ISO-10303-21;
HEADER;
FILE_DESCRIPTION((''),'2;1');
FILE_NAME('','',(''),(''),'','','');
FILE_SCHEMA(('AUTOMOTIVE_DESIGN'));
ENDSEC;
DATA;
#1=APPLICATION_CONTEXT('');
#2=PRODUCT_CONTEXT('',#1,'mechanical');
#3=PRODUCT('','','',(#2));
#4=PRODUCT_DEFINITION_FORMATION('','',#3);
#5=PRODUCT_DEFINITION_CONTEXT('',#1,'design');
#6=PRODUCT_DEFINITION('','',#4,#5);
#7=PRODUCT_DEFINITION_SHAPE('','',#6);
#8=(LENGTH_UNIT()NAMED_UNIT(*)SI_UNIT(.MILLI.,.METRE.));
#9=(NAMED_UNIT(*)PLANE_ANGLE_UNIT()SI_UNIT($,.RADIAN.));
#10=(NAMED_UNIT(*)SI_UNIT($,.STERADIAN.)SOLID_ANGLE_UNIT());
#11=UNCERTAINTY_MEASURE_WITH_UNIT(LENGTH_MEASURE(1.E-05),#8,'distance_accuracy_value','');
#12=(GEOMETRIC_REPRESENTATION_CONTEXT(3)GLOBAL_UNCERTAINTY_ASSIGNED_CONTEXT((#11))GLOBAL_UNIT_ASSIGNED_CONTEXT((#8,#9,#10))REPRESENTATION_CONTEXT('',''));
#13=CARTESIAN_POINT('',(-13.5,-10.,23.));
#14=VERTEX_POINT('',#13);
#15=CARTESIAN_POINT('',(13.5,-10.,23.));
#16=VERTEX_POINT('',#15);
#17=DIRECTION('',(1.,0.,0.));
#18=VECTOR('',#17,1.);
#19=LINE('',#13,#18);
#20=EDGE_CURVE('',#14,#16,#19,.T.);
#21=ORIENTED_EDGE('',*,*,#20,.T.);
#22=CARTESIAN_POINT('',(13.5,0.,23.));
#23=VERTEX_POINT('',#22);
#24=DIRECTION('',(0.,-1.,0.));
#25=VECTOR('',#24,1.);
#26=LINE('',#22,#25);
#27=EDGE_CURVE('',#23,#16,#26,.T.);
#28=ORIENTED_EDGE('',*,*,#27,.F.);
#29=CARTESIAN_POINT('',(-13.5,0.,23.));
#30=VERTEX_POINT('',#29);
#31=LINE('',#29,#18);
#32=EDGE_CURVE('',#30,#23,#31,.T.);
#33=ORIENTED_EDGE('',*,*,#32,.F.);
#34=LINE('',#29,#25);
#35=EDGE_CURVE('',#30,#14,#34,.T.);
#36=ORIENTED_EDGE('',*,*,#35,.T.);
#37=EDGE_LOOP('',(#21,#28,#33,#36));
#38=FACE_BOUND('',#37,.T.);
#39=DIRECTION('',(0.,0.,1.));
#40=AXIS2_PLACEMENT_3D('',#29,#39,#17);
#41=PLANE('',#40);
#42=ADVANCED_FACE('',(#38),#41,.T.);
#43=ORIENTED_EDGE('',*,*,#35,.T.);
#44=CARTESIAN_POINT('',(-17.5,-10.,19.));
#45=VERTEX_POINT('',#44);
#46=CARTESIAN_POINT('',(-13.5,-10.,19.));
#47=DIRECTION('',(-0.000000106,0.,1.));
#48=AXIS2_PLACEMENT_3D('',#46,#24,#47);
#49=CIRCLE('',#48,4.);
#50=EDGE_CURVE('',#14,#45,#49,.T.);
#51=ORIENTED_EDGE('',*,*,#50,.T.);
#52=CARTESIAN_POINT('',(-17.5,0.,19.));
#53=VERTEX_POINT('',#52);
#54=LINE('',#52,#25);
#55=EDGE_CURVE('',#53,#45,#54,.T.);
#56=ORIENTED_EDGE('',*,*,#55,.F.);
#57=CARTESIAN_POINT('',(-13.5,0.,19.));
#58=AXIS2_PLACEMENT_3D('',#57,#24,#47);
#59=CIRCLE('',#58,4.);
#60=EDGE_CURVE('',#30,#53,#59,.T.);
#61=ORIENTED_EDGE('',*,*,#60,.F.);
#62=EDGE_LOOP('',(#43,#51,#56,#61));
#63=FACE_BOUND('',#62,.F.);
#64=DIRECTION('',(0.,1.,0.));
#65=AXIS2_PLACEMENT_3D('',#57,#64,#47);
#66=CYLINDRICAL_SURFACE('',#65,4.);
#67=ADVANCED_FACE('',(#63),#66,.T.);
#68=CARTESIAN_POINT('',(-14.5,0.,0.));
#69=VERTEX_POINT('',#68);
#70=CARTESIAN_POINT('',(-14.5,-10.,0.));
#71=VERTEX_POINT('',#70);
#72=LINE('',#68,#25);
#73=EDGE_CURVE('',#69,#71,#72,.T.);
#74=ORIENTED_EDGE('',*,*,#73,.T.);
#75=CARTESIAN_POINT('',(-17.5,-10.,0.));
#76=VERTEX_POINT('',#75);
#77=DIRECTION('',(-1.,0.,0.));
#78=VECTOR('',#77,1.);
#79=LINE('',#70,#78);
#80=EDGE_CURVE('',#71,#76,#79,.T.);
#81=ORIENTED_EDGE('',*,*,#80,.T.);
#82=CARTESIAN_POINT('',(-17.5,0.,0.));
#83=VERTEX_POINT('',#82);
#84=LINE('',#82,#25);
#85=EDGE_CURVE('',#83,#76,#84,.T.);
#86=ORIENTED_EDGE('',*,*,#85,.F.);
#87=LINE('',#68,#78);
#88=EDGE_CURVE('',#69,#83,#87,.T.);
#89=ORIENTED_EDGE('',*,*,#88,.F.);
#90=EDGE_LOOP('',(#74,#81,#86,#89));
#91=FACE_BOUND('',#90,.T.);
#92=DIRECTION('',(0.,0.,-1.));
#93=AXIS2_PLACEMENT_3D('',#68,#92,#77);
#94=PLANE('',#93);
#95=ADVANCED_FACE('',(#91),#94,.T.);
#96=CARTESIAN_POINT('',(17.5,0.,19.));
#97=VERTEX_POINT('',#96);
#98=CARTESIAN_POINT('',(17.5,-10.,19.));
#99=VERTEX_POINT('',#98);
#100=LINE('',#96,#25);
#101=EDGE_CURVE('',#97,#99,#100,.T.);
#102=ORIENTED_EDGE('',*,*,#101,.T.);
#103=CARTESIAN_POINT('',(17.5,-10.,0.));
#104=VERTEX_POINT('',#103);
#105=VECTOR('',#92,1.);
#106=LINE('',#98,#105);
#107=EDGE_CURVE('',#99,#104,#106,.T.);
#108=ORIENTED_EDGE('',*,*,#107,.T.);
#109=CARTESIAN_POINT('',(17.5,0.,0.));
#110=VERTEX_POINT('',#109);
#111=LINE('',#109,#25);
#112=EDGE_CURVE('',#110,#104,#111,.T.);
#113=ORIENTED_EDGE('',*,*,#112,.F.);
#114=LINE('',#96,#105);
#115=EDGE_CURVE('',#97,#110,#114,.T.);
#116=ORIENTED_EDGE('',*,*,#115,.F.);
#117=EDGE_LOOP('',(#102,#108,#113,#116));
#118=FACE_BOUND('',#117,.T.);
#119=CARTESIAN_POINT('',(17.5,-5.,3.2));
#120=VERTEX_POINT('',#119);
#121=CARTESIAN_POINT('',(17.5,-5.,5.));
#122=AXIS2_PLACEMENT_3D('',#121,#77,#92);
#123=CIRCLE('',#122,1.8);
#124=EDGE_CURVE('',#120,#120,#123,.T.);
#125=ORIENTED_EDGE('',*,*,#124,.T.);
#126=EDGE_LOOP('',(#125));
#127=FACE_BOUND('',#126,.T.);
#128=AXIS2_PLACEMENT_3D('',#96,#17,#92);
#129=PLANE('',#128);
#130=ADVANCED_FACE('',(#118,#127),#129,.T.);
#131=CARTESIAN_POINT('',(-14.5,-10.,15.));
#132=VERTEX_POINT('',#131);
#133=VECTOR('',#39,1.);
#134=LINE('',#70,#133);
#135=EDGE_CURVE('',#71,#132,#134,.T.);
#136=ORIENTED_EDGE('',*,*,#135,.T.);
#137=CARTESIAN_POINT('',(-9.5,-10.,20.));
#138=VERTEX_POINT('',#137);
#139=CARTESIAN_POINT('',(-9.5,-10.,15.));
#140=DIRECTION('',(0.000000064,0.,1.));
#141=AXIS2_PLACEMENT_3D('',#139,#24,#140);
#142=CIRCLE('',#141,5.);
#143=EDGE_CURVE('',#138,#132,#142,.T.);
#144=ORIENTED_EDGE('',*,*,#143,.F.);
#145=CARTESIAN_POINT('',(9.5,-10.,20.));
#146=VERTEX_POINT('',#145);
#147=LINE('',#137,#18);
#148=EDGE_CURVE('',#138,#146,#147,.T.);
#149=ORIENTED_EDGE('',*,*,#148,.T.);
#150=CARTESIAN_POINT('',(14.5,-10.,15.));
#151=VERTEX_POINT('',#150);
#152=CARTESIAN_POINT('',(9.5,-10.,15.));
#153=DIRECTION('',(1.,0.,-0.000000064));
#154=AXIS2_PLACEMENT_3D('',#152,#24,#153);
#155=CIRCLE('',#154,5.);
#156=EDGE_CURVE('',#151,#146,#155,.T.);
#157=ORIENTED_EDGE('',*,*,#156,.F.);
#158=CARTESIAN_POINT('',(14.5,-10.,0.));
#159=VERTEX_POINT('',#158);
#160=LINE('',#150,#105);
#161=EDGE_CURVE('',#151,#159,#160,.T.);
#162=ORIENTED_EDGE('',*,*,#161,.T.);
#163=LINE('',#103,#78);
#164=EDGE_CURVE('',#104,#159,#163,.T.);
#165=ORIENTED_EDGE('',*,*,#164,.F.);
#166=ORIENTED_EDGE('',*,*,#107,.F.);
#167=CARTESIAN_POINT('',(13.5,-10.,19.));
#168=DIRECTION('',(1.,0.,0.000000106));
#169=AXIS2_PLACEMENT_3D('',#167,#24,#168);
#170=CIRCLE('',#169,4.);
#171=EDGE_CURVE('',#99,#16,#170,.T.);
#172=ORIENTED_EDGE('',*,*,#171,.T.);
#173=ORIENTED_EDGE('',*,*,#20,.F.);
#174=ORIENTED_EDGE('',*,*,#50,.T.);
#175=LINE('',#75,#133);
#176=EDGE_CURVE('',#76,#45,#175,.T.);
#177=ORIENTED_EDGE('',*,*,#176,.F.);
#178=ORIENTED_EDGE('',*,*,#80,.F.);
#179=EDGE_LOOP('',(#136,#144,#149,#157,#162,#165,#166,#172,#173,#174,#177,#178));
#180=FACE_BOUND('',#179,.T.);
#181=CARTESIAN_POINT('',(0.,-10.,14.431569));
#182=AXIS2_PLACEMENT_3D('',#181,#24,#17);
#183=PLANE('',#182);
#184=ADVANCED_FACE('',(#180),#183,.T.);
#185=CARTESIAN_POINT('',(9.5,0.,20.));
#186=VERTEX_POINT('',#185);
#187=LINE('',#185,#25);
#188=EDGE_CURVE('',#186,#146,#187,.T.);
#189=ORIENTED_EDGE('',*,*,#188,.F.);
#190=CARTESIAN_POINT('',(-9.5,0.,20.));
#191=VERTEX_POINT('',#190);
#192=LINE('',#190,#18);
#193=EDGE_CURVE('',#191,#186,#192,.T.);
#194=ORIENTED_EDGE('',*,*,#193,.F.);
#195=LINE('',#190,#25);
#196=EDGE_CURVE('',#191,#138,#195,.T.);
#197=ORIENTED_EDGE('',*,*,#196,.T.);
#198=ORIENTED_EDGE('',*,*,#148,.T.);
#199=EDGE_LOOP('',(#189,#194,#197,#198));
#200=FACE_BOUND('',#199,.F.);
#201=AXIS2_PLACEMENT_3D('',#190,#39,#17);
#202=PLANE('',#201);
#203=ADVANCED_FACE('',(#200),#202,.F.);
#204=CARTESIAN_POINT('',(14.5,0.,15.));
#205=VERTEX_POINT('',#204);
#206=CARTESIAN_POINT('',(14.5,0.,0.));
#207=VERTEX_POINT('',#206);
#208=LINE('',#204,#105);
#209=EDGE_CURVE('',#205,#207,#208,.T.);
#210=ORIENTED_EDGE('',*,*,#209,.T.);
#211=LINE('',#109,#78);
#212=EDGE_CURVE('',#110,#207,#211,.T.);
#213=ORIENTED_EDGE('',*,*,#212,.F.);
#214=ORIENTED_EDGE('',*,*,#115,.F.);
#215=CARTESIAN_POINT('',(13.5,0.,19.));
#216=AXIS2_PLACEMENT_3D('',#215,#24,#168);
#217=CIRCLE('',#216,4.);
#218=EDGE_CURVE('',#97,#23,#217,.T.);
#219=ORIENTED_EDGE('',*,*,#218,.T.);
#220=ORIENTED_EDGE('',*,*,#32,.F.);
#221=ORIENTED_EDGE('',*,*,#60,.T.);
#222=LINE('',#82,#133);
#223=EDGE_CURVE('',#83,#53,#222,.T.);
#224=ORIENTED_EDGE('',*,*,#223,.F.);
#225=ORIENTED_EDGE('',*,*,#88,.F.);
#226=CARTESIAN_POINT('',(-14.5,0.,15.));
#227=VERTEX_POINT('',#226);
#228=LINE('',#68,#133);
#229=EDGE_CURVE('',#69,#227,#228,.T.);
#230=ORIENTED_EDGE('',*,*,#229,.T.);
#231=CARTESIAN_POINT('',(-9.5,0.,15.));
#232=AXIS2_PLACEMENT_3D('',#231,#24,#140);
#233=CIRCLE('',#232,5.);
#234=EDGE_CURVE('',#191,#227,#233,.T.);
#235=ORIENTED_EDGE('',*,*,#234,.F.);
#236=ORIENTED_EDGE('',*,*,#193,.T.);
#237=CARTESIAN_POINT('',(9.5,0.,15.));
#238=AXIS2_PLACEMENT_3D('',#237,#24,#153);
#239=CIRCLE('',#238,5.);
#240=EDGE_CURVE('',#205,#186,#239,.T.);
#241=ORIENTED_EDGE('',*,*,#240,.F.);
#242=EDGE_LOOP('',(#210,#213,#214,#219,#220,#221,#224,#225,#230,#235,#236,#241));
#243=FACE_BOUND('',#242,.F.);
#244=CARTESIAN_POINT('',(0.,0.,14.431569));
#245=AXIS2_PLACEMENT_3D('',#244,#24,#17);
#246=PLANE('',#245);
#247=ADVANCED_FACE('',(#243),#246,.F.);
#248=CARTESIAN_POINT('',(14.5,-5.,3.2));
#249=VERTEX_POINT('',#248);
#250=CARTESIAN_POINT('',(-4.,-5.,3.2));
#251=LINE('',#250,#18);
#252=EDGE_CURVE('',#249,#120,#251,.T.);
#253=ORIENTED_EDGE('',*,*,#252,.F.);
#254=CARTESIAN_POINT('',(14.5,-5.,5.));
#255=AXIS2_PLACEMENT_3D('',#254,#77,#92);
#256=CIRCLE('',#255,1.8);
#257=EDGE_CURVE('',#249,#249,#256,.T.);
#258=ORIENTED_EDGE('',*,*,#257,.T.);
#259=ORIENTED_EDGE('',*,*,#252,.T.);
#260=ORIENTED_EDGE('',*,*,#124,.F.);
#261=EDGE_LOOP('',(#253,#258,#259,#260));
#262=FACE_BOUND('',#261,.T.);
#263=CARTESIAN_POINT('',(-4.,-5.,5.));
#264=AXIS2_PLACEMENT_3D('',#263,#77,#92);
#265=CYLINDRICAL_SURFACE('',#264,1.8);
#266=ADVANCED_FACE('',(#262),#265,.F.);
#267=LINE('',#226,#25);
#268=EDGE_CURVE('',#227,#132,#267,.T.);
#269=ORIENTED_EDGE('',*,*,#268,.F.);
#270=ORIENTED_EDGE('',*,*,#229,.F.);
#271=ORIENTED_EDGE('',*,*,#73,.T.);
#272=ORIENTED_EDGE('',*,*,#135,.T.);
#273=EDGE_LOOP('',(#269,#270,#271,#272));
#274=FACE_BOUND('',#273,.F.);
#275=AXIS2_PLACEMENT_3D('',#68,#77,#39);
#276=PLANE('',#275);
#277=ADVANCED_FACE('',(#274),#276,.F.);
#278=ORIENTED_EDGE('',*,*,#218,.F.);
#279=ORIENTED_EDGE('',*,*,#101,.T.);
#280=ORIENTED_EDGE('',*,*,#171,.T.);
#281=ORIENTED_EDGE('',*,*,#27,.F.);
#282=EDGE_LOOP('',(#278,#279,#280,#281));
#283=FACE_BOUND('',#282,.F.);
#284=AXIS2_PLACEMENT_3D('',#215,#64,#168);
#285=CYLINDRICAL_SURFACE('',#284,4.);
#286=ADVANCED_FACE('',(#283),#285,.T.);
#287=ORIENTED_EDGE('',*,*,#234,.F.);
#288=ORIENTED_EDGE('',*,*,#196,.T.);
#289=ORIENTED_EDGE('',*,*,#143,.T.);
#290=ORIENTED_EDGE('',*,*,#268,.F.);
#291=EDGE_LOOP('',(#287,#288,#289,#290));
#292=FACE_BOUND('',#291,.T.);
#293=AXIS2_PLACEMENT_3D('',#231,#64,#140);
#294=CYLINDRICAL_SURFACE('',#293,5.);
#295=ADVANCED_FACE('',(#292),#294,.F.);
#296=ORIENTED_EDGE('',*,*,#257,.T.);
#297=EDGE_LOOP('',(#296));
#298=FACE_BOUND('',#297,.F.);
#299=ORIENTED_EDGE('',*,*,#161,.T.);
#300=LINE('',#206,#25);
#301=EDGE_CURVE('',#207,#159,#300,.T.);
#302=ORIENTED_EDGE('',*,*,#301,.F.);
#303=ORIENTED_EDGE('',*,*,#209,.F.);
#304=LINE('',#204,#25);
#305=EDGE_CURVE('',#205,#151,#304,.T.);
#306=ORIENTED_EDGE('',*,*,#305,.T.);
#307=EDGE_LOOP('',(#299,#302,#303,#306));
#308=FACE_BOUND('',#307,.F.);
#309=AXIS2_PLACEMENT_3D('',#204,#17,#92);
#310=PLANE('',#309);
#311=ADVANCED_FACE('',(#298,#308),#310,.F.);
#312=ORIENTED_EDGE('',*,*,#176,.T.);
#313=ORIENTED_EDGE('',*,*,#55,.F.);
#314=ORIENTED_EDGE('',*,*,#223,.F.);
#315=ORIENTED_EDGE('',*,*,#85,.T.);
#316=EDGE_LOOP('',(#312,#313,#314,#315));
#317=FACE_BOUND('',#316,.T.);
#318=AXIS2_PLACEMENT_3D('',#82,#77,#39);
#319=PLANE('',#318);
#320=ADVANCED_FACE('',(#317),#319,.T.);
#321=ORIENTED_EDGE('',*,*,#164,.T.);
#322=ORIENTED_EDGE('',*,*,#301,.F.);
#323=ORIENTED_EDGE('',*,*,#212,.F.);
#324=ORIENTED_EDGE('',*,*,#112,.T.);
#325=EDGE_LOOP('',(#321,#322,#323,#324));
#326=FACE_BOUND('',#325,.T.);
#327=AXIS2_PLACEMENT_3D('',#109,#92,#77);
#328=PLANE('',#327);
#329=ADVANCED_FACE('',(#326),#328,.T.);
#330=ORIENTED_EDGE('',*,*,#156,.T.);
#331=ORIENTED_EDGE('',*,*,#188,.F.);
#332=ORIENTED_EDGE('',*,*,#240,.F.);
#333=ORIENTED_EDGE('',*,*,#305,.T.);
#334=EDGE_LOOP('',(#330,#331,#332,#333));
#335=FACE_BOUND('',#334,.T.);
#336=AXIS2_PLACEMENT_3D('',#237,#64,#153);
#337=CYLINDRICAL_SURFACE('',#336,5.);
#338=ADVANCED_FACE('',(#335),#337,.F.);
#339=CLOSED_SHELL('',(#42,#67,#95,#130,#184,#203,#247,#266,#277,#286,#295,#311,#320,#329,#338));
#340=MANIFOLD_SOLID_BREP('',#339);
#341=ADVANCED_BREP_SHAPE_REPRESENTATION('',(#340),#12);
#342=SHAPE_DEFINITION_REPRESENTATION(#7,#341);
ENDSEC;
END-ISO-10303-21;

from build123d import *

# Parameters (mm, degrees)
CYLINDER001_R     = 1.8
CYLINDER001_DEPTH = 40
PAD001_DEPTH      = 10


with BuildPart() as hole001:
    # Cylinder001 → Cylinder001 (new body)
    with BuildSketch(Plane(origin=(-4, -5, 5), x_dir=(0, 0, -1), z_dir=(1, 0, 0))):
        Circle(CYLINDER001_R)
    extrude(amount=CYLINDER001_DEPTH)


with BuildPart() as cut001:
    # Sketch001 → Pad001 (new body)
    with BuildSketch(Plane.XZ):
        with BuildLine():
            Line((-14.5, 0), (-14.5, 15))
            ThreePointArc((-9.5, 20), (-13.035534, 18.535534), (-14.5, 15))
            Line((-9.5, 20), (9.5, 20))
            ThreePointArc((14.5, 15), (13.035534, 18.535534), (9.5, 20))
            Line((14.5, 15), (14.5, 0))
            Line((17.5, 0), (14.5, 0))
            Line((17.5, 19), (17.5, 0))
            ThreePointArc((17.5, 19), (16.328427, 21.828427), (13.5, 23))
            Line((-13.5, 23), (13.5, 23))
            ThreePointArc((-13.5, 23), (-16.328427, 21.828427), (-17.5, 19))
            Line((-17.5, 0), (-17.5, 19))
            Line((-14.5, 0), (-17.5, 0))
        make_face()
    extrude(amount=PAD001_DEPTH)

    # Cut001: cut hole001
    add(hole001.part, mode=Mode.SUBTRACT)


solid = cut001.part
